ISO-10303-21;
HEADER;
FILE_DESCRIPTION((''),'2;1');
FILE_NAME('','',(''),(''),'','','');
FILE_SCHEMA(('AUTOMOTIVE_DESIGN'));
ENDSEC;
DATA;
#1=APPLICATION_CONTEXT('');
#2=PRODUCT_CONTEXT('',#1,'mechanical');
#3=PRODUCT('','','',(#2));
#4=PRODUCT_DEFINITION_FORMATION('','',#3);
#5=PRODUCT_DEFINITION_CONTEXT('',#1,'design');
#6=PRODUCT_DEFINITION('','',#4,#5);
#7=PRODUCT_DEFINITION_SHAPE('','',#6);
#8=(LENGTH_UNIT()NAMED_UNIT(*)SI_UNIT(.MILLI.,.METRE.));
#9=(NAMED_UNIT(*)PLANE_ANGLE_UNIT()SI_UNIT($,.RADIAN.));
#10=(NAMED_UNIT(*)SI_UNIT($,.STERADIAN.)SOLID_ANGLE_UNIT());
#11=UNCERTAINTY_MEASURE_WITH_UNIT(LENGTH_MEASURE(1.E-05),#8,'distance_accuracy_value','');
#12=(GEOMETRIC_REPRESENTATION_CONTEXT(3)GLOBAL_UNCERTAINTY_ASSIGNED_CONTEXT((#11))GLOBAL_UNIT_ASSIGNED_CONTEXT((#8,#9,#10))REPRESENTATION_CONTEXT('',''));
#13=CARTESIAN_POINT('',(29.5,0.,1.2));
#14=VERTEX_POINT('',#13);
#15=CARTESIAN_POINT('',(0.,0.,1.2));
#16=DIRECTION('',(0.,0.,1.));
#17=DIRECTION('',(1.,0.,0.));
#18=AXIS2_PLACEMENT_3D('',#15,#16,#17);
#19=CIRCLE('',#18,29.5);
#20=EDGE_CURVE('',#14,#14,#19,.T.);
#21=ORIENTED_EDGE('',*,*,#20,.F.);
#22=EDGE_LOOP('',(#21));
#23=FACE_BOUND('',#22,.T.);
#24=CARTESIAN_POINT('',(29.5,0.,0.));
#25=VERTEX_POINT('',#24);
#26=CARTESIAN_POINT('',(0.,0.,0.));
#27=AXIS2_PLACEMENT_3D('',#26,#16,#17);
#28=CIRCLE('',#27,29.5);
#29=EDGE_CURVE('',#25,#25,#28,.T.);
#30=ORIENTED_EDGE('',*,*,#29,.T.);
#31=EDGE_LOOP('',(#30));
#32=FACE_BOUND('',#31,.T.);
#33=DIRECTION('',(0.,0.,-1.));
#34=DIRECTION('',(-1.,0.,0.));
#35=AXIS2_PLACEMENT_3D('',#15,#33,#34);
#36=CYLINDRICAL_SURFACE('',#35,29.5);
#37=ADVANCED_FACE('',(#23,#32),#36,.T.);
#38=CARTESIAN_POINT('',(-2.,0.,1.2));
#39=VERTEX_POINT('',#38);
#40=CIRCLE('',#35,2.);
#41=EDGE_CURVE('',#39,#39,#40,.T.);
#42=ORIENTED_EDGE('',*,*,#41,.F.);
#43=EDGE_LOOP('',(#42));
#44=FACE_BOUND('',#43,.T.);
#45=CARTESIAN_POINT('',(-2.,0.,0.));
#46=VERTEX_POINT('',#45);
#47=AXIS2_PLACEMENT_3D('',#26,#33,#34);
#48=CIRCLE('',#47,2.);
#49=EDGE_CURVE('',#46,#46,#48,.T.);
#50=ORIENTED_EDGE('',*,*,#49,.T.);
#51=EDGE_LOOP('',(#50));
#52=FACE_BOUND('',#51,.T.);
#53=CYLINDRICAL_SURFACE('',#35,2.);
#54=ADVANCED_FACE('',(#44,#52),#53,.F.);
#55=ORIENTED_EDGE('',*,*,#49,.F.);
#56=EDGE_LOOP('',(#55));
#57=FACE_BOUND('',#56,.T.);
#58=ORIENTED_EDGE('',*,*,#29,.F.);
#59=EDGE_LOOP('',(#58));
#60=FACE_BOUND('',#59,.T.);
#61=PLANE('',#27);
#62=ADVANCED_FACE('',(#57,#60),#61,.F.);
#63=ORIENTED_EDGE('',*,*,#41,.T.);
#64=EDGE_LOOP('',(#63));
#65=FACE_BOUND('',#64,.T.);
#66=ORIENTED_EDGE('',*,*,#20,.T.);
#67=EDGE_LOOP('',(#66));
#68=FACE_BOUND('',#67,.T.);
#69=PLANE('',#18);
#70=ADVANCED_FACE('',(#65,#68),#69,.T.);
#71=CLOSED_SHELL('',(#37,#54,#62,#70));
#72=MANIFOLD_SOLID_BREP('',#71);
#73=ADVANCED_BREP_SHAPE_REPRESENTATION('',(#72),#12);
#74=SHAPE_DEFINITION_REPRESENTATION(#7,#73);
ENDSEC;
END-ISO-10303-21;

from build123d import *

# Parameters (mm, degrees)
SKETCH1_R           = 29.5
BOSS_EXTRUDE1_DEPTH = 1.2
SKETCH2_R           = 2
CUT_EXTRUDE1_DEPTH  = 1.2


with BuildPart() as part:
    # Sketch1 → Boss-Extrude1 (new body)
    with BuildSketch(Plane.XY):
        Circle(SKETCH1_R)
    extrude(amount=BOSS_EXTRUDE1_DEPTH)

    # Sketch2 → Cut-Extrude1 (cut)
    with BuildSketch(Plane(origin=(0, 0, 0), x_dir=(-1, 0, 0), z_dir=(0, 0, -1))):
        Circle(SKETCH2_R)
    extrude(amount=-CUT_EXTRUDE1_DEPTH, mode=Mode.SUBTRACT)


solid = part.part
